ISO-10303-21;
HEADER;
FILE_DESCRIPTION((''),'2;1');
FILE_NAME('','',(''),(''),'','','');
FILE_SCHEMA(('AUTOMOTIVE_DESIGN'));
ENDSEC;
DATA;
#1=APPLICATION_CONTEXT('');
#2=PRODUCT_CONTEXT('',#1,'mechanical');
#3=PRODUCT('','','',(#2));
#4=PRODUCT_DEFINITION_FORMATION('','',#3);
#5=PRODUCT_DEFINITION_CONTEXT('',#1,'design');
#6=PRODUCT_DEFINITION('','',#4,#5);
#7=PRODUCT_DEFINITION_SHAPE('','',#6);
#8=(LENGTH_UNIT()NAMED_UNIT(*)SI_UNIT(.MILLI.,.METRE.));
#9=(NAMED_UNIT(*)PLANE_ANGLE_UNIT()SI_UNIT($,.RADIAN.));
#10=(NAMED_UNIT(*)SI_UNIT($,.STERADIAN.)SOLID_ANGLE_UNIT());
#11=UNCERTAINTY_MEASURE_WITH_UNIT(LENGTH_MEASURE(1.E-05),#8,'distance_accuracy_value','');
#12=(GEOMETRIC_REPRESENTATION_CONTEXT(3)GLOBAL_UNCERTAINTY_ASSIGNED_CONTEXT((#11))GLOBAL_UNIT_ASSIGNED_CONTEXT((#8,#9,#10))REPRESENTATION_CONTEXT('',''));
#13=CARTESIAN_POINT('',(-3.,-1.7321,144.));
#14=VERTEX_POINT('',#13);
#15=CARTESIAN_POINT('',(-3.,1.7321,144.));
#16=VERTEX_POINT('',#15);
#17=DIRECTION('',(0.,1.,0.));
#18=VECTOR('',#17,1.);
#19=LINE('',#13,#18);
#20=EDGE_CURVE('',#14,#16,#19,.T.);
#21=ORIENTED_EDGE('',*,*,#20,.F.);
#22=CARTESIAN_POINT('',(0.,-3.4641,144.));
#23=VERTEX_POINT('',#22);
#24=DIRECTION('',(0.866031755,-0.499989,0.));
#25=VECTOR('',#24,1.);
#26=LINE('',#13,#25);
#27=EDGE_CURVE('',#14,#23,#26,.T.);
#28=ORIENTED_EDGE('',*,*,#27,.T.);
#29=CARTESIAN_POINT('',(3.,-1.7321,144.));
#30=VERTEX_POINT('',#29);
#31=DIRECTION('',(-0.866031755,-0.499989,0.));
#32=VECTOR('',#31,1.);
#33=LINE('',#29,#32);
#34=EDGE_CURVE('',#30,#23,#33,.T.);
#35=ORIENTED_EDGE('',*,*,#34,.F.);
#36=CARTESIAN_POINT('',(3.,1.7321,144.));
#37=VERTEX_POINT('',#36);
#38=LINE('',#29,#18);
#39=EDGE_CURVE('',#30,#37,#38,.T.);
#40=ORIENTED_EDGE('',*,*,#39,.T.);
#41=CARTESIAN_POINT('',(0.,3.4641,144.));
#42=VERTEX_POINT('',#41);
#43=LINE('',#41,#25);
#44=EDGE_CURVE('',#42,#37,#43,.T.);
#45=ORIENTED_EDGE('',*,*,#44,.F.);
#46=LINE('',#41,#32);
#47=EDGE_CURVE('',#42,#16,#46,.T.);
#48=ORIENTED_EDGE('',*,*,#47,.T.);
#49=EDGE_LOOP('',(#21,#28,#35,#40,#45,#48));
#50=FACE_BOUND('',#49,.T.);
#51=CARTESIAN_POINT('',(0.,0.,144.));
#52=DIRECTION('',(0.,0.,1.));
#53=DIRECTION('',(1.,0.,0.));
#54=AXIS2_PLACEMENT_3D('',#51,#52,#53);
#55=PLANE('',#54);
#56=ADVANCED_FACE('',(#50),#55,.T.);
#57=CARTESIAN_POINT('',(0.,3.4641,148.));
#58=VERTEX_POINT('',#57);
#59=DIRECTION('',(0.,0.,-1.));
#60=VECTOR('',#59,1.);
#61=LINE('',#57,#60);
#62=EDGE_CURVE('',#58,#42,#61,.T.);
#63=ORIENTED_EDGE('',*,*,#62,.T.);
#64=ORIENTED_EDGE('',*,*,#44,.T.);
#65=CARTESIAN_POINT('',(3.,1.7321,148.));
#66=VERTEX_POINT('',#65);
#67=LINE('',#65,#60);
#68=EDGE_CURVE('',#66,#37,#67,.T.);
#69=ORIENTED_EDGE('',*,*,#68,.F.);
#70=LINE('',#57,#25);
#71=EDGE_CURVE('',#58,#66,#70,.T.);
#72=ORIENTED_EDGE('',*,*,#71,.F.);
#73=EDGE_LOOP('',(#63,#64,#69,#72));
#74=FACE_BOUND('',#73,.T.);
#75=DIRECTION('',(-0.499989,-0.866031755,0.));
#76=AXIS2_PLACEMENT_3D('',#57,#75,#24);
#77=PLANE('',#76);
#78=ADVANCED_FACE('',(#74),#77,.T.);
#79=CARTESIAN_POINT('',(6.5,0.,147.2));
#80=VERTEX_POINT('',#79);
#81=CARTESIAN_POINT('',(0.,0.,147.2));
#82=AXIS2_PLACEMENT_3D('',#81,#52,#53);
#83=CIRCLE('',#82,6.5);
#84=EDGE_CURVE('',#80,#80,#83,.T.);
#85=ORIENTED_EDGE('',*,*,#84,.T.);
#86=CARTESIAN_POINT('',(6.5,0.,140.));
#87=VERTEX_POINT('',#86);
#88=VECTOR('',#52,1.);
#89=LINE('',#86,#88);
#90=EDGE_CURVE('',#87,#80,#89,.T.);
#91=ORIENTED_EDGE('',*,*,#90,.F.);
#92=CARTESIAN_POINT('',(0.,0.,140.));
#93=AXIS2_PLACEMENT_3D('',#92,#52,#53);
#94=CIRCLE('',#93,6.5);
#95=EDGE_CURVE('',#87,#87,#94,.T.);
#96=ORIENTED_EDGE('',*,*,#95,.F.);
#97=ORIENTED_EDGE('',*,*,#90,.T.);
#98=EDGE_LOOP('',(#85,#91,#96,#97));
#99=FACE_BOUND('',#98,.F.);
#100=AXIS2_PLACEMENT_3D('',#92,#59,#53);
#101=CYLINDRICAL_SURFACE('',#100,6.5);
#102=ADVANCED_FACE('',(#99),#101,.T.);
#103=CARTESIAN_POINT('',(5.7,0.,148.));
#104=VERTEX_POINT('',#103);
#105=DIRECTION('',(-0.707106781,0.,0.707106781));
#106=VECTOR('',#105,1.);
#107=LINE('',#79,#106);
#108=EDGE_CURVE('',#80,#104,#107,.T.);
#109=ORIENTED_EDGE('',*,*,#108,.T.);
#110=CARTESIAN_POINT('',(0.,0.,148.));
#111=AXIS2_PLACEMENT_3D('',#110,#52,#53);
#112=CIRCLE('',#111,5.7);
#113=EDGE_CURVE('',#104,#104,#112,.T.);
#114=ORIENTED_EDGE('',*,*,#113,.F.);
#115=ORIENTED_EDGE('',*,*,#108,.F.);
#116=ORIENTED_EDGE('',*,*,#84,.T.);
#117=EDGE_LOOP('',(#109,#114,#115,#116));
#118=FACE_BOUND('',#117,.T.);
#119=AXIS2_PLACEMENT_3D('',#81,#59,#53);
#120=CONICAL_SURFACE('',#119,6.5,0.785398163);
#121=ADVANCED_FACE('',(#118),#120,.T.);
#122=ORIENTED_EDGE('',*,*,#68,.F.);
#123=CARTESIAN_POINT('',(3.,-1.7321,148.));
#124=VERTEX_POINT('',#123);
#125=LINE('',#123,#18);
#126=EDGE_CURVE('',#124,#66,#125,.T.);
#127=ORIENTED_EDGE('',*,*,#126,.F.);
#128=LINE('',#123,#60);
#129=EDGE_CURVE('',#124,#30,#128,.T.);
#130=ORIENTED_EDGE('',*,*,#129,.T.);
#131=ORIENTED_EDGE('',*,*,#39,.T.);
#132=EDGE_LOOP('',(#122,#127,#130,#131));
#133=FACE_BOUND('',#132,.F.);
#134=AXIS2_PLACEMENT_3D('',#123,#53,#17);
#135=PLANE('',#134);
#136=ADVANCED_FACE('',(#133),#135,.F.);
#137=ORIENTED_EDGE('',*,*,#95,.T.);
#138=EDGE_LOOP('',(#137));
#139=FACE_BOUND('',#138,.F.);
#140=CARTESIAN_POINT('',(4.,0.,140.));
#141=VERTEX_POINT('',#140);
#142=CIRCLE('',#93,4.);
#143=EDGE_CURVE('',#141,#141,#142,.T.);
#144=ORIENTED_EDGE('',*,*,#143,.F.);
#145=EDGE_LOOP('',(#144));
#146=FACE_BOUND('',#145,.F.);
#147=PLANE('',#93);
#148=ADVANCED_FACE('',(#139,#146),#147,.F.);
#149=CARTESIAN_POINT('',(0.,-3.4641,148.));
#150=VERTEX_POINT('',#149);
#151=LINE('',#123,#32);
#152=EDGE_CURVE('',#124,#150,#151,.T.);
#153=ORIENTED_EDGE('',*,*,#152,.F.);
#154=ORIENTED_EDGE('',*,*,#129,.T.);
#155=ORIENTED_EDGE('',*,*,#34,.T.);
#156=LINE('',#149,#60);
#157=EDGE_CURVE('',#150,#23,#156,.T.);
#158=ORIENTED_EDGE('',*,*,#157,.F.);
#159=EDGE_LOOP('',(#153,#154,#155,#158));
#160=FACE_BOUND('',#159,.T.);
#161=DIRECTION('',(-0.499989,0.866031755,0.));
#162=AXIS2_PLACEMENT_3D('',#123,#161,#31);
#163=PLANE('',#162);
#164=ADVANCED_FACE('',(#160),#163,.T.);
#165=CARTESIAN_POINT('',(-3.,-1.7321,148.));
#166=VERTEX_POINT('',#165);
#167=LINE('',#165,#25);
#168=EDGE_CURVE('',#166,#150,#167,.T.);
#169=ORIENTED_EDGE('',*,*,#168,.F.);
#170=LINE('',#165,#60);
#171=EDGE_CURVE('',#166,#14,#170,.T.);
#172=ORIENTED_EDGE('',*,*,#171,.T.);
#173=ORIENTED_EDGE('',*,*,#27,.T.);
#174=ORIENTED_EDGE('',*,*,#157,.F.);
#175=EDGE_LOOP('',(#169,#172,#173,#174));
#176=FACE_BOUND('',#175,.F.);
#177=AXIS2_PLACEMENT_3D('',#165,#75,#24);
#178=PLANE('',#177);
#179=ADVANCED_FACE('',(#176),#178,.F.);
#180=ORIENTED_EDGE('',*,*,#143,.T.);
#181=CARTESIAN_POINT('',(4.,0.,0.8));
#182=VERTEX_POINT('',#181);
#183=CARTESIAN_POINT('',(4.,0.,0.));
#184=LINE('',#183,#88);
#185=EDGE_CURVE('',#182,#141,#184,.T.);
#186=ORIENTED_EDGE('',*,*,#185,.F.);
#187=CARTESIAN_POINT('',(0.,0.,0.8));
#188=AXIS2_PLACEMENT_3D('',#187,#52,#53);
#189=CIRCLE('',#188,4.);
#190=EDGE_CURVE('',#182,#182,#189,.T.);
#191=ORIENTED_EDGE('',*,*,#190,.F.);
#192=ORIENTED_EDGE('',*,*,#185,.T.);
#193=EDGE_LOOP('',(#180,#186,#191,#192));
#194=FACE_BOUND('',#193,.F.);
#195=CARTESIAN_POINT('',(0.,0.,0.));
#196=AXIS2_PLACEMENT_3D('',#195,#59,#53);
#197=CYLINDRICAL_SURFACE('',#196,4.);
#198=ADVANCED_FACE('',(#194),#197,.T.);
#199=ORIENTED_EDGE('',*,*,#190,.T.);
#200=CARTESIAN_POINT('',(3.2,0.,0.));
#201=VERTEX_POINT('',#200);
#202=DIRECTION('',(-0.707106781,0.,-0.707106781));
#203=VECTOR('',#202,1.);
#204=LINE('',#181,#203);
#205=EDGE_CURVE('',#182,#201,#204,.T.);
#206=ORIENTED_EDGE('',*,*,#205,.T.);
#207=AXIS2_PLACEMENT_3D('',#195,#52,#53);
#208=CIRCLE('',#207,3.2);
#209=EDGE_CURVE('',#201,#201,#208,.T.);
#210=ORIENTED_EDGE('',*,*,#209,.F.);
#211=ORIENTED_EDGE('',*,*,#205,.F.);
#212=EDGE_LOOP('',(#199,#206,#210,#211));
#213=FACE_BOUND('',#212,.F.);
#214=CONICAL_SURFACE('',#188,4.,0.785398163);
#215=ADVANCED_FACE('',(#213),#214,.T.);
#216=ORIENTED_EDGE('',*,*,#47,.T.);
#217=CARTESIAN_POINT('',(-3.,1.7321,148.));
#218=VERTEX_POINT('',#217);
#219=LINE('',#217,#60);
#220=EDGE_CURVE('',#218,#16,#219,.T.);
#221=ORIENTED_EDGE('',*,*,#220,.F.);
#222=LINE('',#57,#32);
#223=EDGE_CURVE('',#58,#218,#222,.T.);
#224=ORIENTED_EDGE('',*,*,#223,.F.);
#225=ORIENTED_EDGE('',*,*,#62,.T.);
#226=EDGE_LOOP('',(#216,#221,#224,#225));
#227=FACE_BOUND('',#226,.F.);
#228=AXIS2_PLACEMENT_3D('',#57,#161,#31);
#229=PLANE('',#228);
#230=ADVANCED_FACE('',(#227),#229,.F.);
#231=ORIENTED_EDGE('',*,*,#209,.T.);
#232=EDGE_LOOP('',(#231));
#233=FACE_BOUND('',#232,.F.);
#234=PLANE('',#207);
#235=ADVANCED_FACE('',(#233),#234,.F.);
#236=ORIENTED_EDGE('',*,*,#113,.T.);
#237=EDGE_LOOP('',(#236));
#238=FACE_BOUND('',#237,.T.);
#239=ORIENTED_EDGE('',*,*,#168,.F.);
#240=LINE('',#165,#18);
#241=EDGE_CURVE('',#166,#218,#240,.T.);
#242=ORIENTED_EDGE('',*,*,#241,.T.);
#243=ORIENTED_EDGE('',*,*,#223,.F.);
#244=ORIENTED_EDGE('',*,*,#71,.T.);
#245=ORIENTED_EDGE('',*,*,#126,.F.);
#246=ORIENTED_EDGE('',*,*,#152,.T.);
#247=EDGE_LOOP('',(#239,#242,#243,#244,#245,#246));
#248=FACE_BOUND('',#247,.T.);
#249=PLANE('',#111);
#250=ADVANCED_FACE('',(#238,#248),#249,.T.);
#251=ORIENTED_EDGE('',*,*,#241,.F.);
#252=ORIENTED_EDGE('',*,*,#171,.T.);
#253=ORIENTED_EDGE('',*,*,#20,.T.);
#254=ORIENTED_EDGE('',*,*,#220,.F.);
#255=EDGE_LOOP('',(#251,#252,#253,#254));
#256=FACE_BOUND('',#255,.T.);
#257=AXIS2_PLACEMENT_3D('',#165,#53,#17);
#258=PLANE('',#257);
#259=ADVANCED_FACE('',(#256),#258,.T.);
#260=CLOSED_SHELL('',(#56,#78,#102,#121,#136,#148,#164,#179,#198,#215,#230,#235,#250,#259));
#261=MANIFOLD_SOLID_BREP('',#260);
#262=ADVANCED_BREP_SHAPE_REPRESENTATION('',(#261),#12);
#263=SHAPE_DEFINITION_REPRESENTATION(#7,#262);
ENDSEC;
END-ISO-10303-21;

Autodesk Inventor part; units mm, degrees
ref_plane "YZ Plane" through (0, 0, 0) normal (1, 0, 0) x (0, 1, 0)
ref_plane "XZ Plane" through (0, 0, 0) normal (0, 1, 0) x (-1, 0, 0)
ref_plane "XY Plane" through (0, 0, 0) normal (0, 0, 1) x (1, 0, 0)
sketch "Sketch1" plane through (0, 0, 0) normal (0, 0, 1) x (1, 0, 0)
  circle A0 centre (0, 0) radius 4
  dimension "Diameter" = 8
extrude "Extrusion1" add sketch "Sketch1" along normal blind 140
sketch "Sketch2" plane through (0, 0, 140) normal (0, 0, 1) x (1, 0, 0)
  circle A0 centre (0, 0) radius 4 projected
  circle A1 centre (0, 0) radius 6.5
  dimension "Head_Diameter" = 13
extrude "Extrusion2" add sketch "Sketch2" along normal blind 8 contours A0 | A1
sketch "Sketch3" plane through (0, 0, 148) normal (0, 0, 1) x (1, 0, 0)
  circle A0 centre (0, 0) radius 6.5 projected
  circle A1 centre (0, 0) radius 3.4641 construction
  line L0 (0, 3.4641) -> (3, 1.7321)
  line L1 (3, -1.7321) -> (3, 1.7321)
  line L2 (0, 3.4641) -> (-3, 1.7321)
  line L3 (-3, -1.7321) -> (-3, 1.7321)
  line L4 (-3, -1.7321) -> (0, -3.4641)
  line L5 (3, -1.7321) -> (0, -3.4641)
  dimension "Hex_Width" = 6
extrude "Extrusion3" cut sketch "Sketch3" against normal blind 4 contours L0 L1 L5 L4 L3 L2
thread "Thread1" size "M8x1.25" class "4g6g" standard "ANSI Metric M Profile" length 28
chamfer "Chamfer1" distance 0.8 angle 45 2 edges at (-6.5, 0, 148) (-4, 0, 0)
equation "\"d9\" = ThreadLength"
equation "\"d12\" = Chamfer"
equation "\"ThreadLength\" = 28"
equation "\"Chamfer\" = 0.8"
properties part number "SCREW, SOCKET HD, P, 12.9, M8X1.25X140MM" material "Steel, Mild"
